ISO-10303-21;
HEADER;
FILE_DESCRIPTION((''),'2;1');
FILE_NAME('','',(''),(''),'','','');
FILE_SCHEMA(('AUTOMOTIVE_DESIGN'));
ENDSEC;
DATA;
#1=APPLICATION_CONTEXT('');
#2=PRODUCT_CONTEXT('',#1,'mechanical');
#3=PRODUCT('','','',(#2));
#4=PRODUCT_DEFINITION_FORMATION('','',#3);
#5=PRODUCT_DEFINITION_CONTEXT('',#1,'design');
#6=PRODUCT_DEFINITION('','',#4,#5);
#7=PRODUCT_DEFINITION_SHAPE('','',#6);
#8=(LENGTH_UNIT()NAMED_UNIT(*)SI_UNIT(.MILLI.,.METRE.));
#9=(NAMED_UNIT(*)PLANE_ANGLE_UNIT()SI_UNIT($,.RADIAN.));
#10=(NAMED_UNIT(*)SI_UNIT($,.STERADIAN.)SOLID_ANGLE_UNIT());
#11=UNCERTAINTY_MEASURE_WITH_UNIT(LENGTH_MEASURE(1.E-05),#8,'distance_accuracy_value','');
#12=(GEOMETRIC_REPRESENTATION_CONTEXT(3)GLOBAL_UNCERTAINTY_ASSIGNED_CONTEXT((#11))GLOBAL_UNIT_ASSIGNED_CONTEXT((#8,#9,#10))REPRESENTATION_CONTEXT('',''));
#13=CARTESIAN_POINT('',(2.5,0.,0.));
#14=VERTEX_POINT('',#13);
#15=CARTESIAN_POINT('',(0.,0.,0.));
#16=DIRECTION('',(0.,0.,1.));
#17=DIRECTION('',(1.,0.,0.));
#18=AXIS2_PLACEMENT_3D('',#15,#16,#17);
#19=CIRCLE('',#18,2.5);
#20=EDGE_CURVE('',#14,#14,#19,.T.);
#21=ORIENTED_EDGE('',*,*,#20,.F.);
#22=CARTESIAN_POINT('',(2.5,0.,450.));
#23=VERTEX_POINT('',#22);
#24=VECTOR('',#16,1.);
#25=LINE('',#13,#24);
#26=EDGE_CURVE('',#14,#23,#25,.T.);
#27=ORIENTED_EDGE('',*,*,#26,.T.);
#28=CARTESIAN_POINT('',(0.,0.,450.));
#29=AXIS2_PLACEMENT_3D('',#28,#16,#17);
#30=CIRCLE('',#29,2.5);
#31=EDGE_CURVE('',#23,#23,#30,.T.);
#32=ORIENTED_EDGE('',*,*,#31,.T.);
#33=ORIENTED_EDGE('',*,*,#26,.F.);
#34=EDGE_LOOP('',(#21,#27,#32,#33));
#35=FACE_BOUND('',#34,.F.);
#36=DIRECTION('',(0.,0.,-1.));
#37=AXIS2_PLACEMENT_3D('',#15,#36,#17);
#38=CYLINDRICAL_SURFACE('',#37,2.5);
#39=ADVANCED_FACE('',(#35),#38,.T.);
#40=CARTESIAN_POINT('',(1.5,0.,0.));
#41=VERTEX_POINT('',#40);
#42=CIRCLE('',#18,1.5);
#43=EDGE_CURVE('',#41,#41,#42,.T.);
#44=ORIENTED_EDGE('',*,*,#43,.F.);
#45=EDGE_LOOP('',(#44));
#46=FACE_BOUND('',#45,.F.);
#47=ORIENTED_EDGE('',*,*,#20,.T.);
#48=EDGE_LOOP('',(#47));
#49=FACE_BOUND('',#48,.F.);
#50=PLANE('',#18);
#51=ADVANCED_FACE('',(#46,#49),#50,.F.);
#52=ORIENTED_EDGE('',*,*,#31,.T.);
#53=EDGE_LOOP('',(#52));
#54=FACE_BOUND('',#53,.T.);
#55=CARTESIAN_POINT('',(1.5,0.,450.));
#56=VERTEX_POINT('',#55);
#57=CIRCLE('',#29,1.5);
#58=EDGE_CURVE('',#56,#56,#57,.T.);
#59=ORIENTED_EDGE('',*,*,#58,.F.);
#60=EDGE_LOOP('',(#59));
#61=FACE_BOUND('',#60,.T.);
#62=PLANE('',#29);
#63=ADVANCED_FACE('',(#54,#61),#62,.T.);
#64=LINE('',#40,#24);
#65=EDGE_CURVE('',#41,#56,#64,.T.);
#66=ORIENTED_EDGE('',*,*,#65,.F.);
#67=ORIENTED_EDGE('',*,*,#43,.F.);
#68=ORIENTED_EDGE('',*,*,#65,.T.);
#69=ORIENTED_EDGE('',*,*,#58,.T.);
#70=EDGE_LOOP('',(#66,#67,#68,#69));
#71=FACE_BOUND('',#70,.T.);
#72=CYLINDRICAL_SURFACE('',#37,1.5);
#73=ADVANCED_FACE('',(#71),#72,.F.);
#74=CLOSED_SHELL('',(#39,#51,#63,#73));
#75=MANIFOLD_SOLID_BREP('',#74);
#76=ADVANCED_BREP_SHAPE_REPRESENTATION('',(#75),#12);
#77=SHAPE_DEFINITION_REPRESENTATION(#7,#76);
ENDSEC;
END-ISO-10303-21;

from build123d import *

# Parameters (mm, degrees)
SKETCH_R   = 2.5
SKETCH_R_2 = 1.5
PAD_DEPTH  = 450


with BuildPart() as part:
    # Sketch → Pad (new body)
    with BuildSketch(Plane.XY):
        Circle(SKETCH_R)
        Circle(SKETCH_R_2, mode=Mode.SUBTRACT)
    extrude(amount=PAD_DEPTH)


solid = part.part
